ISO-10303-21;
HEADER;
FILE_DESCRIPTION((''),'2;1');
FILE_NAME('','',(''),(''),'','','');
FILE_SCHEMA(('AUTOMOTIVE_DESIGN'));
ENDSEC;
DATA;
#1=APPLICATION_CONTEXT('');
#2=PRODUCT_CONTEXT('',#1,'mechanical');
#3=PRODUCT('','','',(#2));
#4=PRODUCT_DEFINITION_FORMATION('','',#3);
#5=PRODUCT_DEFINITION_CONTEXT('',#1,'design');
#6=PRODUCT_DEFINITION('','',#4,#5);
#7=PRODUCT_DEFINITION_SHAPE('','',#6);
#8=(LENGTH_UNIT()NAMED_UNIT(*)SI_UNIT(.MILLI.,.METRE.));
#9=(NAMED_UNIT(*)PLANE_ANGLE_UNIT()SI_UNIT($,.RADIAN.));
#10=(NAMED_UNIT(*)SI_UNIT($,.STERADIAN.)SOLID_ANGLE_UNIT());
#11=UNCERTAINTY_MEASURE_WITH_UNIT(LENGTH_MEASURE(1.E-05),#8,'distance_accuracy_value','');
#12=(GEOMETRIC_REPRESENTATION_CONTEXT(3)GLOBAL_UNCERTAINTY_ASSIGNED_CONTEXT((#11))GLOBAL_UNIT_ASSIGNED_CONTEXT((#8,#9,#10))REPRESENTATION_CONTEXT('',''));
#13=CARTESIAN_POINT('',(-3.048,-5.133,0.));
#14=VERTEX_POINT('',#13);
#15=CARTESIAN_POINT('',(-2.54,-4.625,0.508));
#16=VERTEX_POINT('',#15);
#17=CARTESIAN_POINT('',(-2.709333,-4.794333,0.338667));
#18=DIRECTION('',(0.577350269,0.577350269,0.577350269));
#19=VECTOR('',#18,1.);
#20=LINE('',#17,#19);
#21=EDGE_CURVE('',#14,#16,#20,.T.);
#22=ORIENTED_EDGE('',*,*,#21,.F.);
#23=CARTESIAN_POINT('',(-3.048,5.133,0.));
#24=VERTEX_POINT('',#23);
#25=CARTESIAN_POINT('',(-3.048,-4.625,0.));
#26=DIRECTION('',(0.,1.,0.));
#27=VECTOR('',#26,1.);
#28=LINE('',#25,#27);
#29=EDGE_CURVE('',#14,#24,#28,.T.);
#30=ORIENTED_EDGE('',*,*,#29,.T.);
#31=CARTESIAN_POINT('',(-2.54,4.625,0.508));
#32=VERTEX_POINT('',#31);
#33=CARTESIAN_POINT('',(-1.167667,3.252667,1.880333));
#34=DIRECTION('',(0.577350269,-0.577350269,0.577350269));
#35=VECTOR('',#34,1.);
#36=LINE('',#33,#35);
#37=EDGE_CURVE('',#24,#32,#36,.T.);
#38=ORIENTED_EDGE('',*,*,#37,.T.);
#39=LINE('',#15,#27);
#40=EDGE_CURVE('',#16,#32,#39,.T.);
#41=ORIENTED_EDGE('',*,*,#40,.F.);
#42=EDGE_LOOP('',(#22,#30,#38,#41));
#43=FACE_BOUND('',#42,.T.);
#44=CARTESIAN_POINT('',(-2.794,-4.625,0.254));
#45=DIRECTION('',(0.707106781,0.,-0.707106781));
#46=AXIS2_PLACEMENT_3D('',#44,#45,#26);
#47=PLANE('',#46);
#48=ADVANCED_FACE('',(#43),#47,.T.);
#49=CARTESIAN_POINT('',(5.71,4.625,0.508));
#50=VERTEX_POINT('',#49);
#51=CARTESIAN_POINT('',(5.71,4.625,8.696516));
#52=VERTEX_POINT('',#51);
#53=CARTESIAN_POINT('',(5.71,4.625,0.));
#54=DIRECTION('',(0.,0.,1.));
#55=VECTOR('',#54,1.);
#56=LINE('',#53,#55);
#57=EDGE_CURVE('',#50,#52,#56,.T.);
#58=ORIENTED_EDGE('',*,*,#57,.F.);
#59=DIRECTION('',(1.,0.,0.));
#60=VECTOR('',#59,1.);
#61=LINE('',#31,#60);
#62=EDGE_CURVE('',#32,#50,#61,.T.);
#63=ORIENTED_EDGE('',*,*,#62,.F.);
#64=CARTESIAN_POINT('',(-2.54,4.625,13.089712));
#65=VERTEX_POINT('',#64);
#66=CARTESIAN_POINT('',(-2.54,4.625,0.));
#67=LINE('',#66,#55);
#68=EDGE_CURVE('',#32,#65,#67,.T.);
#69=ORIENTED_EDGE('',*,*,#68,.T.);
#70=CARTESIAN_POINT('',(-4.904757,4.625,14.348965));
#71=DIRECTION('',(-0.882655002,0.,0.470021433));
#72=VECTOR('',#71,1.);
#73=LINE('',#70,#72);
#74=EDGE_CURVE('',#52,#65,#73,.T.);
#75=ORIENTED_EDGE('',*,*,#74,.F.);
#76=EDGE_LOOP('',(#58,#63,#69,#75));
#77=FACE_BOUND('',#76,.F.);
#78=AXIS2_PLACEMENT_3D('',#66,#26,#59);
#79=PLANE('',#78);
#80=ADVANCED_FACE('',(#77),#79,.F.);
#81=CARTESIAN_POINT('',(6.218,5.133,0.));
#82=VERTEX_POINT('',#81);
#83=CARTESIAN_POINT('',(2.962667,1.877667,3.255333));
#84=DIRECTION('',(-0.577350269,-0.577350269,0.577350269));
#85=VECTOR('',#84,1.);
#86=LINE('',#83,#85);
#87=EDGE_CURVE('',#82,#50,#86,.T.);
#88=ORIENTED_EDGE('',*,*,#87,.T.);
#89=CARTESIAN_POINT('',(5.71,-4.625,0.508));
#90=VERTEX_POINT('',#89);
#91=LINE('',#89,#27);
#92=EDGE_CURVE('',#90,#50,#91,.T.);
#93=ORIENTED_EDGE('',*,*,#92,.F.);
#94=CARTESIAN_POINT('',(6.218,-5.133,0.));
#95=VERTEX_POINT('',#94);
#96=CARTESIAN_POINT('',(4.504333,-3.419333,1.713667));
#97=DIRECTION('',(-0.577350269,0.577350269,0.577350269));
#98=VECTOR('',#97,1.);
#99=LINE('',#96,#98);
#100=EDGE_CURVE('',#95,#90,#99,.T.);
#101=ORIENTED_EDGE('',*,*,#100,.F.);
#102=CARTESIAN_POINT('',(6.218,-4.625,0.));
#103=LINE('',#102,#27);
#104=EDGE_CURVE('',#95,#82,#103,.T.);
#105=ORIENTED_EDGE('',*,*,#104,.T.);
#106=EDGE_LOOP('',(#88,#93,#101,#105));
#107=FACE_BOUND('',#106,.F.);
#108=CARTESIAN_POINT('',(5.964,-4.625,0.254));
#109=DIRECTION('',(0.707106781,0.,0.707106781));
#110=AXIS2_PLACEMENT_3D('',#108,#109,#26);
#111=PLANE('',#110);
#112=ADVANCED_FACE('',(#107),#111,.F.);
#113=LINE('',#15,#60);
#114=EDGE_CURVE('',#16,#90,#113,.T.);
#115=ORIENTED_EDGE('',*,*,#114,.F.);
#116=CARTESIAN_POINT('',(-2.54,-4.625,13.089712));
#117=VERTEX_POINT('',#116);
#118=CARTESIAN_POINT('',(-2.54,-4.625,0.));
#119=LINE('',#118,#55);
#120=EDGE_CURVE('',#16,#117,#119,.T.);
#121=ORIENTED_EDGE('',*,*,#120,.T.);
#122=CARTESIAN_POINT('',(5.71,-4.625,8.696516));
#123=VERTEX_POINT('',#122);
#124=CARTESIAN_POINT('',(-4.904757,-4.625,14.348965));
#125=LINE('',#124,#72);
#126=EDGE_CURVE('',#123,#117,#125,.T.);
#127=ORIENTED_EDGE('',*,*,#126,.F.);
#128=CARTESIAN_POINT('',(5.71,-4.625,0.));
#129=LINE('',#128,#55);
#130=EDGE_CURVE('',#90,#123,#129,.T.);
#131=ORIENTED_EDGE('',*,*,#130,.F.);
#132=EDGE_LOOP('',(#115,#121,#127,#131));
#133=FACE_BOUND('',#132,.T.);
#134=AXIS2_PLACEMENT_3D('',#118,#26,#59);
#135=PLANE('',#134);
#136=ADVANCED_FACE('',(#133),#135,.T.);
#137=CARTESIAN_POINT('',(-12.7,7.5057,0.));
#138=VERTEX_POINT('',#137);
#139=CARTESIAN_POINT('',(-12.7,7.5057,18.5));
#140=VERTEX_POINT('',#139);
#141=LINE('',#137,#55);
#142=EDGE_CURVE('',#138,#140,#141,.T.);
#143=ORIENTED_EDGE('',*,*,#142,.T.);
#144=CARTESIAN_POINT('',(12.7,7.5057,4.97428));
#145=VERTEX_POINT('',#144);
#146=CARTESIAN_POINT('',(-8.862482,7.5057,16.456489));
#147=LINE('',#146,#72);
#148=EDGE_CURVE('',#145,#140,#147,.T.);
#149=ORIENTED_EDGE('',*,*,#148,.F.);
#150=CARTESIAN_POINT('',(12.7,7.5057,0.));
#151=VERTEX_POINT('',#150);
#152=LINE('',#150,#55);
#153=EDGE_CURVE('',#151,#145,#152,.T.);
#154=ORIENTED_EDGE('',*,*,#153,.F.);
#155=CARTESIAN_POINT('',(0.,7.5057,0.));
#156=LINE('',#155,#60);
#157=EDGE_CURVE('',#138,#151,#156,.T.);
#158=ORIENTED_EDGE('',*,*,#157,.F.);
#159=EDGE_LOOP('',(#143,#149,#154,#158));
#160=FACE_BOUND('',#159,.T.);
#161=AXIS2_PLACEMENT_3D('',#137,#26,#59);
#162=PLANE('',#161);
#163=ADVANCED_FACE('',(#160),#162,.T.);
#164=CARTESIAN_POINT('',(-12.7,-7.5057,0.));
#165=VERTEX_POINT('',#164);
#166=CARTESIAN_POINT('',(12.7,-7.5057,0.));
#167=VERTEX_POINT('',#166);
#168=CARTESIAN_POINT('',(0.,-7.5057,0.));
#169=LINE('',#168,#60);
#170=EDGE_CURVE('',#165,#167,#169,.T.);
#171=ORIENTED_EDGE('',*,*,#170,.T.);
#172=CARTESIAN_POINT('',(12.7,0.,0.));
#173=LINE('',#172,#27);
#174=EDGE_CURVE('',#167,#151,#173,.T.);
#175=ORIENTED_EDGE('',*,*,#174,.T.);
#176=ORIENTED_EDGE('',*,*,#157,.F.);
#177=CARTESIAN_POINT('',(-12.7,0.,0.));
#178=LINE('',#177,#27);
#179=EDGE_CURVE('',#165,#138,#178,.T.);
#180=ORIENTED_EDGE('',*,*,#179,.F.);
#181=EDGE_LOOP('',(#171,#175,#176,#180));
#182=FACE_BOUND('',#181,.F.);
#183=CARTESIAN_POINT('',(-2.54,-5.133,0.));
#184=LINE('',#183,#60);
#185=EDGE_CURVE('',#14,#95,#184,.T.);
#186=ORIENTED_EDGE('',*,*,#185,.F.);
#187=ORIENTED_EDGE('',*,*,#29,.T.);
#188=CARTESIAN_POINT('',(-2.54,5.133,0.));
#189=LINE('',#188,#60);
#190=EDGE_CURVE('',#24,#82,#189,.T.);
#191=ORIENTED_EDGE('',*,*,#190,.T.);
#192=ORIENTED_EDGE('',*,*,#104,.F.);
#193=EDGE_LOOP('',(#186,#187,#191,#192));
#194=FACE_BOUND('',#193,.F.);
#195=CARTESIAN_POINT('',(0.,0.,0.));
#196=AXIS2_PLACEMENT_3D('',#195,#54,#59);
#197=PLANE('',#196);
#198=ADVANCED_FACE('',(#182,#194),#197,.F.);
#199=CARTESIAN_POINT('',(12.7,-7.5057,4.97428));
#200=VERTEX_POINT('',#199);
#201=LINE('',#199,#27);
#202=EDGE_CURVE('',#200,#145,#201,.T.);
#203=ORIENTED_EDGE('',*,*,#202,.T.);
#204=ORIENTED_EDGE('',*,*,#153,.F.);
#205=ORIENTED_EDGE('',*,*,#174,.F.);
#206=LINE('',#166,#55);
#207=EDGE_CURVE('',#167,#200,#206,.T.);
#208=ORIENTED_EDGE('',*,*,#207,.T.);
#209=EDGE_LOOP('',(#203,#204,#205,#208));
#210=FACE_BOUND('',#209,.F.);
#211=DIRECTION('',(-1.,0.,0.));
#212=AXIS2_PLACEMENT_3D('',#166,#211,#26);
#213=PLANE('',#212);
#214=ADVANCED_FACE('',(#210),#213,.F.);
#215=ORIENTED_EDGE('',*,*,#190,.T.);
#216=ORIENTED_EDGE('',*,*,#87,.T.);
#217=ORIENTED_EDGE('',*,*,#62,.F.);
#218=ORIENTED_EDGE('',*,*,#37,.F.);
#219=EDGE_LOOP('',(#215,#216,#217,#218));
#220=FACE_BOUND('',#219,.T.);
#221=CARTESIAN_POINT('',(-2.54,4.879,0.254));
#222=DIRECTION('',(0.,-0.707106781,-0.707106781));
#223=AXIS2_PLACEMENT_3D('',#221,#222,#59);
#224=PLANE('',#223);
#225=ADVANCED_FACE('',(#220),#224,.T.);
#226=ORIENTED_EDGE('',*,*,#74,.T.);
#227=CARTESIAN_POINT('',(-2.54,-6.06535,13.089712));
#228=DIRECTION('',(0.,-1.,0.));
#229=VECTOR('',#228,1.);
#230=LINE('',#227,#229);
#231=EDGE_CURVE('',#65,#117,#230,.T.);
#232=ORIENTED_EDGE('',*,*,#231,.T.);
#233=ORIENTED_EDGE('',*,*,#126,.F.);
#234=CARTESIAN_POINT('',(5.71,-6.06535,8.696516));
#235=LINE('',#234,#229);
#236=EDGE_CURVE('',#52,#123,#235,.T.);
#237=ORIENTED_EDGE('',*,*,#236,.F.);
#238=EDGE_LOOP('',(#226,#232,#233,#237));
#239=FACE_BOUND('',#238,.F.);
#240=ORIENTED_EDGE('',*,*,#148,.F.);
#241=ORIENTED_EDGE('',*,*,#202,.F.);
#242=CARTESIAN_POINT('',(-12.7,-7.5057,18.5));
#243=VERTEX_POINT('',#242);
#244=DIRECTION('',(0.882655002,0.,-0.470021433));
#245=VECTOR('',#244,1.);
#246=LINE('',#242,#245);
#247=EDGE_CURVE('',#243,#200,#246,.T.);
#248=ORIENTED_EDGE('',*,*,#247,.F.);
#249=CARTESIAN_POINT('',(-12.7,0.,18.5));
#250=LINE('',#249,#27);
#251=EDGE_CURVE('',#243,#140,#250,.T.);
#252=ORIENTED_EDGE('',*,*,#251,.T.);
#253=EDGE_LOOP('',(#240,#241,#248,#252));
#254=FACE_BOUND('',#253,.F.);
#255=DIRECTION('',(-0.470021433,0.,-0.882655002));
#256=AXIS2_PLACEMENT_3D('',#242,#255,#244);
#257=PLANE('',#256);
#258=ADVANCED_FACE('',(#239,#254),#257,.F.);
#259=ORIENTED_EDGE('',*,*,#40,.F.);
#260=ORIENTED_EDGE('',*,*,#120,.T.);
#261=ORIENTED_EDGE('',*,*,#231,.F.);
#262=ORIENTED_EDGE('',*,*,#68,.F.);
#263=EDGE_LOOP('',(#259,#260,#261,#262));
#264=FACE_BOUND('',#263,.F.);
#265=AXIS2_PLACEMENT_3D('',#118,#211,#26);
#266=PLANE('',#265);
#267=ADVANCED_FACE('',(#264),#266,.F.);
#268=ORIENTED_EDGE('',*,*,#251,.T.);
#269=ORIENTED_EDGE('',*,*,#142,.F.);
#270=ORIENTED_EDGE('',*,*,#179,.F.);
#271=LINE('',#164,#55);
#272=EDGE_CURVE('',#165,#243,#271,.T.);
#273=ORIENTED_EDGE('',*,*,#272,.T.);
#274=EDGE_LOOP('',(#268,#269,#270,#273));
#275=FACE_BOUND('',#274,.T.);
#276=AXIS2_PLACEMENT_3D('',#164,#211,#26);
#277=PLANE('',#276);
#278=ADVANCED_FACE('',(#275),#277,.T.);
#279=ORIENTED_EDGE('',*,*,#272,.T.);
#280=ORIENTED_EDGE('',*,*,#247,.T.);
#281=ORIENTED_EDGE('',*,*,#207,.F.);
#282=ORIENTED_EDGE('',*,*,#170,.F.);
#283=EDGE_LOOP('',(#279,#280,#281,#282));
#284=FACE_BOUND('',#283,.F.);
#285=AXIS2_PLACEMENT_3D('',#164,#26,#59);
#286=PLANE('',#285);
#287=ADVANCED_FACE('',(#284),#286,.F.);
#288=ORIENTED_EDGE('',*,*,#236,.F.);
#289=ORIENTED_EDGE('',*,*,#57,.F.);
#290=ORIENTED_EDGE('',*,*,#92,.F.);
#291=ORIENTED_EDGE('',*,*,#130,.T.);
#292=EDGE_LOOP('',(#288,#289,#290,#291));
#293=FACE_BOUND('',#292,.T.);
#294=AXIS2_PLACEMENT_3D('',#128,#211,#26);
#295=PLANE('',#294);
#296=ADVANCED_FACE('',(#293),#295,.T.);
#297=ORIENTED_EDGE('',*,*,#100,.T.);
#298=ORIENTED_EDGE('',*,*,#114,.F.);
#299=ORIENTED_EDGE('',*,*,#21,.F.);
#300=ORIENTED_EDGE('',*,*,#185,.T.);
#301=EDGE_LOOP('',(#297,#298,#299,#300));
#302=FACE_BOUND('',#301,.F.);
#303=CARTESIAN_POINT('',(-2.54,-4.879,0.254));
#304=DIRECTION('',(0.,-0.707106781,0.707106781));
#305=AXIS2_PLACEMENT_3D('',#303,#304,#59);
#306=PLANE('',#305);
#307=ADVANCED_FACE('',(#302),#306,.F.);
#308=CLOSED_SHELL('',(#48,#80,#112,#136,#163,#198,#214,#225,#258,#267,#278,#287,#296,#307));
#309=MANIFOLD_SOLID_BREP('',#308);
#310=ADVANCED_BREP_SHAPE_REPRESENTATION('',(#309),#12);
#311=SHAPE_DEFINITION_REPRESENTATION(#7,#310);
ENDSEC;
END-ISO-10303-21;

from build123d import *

# Parameters (mm, degrees)
F0_W     = 25.4
F0_H     = 15.0114
F0_W_2   = 8.25
F0_H_2   = 9.25
F1_DEPTH = 18.5
F3_DEPTH = 25.4
F4_SIZE  = 0.508


with BuildPart() as f1:
    # F0 (on Top) → F1 (new body)
    with BuildSketch(Plane.XY):
        Rectangle(F0_W, F0_H)
        with Locations((1.585, 0)):
            Rectangle(F0_W_2, F0_H_2, mode=Mode.SUBTRACT)
    extrude(amount=F1_DEPTH)

    # F2 (on face) → F3 (cut)
    with BuildSketch(Plane.XZ.offset(7.5057)):
        Polygon((12.7, 18.5), (-12.7, 18.5), (12.7, 4.97428), align=None)
    extrude(amount=-F3_DEPTH, mode=Mode.SUBTRACT)

    # F4
    f4_edges = [f1.edges().sort_by_distance(p)[0] for p in [
        (-2.54, 0, 0),
        (1.585, 4.625, 0),
        (5.71, 0, 0),
        (1.585, -4.625, 0),
    ]]
    chamfer(f4_edges, length=F4_SIZE)


solid = f1.part
